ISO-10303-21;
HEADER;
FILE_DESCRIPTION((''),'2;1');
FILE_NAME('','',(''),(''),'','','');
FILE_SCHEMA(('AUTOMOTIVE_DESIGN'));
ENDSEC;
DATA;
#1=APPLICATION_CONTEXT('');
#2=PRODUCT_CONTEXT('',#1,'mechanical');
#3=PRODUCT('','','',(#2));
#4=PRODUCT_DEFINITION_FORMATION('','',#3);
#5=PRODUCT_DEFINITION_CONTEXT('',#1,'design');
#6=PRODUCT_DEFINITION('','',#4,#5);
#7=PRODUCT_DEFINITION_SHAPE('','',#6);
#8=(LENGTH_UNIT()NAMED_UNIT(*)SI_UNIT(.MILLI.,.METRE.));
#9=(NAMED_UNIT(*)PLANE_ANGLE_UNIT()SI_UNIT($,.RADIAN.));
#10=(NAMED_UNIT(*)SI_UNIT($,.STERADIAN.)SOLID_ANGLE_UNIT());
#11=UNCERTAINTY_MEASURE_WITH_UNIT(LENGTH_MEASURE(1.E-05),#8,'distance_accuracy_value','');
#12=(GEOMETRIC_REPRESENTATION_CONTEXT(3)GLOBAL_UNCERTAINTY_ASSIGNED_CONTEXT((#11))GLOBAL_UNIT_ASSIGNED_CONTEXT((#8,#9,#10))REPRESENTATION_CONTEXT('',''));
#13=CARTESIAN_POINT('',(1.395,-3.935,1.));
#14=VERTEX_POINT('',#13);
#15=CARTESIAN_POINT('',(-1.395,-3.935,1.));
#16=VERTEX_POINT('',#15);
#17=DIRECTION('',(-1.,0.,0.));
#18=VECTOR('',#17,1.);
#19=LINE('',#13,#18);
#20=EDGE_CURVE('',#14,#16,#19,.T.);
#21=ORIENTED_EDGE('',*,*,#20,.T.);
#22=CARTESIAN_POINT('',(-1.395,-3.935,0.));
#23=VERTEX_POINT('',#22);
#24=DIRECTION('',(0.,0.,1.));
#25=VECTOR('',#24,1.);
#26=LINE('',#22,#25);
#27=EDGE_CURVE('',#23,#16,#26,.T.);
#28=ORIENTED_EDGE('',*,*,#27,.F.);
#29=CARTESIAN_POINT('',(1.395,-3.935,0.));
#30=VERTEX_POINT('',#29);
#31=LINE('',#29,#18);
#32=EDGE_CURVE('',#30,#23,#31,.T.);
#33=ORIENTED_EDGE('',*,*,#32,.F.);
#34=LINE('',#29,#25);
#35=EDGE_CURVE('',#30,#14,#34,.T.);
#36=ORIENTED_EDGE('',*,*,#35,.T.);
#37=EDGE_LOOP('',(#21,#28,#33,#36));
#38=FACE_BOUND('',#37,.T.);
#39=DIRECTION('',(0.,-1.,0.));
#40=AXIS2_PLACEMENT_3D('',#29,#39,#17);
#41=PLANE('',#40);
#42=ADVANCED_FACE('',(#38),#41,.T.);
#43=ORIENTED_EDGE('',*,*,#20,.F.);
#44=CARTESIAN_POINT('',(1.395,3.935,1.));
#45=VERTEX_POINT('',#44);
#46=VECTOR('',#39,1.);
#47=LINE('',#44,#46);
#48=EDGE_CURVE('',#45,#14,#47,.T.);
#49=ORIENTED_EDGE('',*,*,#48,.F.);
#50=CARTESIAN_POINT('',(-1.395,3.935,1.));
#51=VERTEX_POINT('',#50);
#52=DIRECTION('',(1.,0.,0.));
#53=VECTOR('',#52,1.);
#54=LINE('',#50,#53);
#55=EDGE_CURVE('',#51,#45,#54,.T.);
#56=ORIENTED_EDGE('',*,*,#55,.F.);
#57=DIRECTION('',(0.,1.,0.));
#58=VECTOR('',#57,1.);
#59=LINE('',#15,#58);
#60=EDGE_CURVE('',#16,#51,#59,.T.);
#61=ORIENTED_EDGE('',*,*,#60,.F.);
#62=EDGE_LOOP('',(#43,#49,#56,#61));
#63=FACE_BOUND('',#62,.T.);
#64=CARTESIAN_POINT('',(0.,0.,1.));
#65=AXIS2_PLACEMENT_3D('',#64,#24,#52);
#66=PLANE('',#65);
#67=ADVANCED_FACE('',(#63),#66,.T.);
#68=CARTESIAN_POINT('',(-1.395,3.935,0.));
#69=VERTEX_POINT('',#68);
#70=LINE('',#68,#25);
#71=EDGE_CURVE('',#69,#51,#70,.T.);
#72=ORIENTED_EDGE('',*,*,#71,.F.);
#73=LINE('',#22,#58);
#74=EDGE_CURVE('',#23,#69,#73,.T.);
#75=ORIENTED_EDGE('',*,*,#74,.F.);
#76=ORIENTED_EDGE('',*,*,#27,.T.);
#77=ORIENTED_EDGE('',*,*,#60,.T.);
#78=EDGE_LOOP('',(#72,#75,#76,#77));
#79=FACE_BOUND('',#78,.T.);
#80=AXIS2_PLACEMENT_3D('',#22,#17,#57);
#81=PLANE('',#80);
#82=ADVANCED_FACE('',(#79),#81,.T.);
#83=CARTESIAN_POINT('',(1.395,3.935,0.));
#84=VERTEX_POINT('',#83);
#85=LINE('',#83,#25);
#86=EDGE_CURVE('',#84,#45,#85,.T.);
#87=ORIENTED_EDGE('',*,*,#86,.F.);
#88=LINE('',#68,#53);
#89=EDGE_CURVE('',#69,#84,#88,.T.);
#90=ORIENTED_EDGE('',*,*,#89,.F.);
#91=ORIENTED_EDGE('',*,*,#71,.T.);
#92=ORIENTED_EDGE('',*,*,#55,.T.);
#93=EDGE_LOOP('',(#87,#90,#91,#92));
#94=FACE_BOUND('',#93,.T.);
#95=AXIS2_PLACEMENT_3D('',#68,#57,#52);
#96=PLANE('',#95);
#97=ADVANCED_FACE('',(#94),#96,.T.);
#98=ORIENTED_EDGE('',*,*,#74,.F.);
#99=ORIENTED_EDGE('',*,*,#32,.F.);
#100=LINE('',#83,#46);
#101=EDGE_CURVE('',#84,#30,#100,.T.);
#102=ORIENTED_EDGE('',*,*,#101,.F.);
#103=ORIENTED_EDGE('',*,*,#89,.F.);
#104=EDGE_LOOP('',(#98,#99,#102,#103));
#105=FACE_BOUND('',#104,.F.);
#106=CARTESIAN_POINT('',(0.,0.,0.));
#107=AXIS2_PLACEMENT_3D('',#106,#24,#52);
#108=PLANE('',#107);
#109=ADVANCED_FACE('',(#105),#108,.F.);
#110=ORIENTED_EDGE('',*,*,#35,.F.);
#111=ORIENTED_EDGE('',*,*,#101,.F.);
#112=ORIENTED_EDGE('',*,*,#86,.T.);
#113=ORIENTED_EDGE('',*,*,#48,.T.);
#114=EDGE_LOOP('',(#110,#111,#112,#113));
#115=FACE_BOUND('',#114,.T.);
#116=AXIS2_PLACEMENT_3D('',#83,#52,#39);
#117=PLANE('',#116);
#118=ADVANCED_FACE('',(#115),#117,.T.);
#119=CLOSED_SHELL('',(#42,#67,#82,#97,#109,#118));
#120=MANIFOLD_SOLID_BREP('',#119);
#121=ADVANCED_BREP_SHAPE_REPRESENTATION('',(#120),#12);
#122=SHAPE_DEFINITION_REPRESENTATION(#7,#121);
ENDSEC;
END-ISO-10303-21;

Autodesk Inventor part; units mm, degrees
ref_plane "YZ Plane" through (0, 0, 0) normal (1, 0, 0) x (0, 1, 0)
ref_plane "XZ Plane" through (0, 0, 0) normal (0, 1, 0) x (-1, 0, 0)
ref_plane "XY Plane" through (0, 0, 0) normal (0, 0, 1) x (1, 0, 0)
sketch "JUMPER3, JUMPER3_180" plane through (0, 0, 0) normal (0, 0, 1) x (1, 0, 0)
  line L0 (-1.395, -3.935) -> (-1.395, 3.935)
  line L1 (-1.395, 3.935) -> (1.395, 3.935)
  line L2 (1.395, 3.935) -> (1.395, -3.935)
  line L3 (1.395, -3.935) -> (-1.395, -3.935)
extrude "Extrusion1" add sketch "JUMPER3, JUMPER3_180" along normal blind 1
properties part number "JUMPER3"
